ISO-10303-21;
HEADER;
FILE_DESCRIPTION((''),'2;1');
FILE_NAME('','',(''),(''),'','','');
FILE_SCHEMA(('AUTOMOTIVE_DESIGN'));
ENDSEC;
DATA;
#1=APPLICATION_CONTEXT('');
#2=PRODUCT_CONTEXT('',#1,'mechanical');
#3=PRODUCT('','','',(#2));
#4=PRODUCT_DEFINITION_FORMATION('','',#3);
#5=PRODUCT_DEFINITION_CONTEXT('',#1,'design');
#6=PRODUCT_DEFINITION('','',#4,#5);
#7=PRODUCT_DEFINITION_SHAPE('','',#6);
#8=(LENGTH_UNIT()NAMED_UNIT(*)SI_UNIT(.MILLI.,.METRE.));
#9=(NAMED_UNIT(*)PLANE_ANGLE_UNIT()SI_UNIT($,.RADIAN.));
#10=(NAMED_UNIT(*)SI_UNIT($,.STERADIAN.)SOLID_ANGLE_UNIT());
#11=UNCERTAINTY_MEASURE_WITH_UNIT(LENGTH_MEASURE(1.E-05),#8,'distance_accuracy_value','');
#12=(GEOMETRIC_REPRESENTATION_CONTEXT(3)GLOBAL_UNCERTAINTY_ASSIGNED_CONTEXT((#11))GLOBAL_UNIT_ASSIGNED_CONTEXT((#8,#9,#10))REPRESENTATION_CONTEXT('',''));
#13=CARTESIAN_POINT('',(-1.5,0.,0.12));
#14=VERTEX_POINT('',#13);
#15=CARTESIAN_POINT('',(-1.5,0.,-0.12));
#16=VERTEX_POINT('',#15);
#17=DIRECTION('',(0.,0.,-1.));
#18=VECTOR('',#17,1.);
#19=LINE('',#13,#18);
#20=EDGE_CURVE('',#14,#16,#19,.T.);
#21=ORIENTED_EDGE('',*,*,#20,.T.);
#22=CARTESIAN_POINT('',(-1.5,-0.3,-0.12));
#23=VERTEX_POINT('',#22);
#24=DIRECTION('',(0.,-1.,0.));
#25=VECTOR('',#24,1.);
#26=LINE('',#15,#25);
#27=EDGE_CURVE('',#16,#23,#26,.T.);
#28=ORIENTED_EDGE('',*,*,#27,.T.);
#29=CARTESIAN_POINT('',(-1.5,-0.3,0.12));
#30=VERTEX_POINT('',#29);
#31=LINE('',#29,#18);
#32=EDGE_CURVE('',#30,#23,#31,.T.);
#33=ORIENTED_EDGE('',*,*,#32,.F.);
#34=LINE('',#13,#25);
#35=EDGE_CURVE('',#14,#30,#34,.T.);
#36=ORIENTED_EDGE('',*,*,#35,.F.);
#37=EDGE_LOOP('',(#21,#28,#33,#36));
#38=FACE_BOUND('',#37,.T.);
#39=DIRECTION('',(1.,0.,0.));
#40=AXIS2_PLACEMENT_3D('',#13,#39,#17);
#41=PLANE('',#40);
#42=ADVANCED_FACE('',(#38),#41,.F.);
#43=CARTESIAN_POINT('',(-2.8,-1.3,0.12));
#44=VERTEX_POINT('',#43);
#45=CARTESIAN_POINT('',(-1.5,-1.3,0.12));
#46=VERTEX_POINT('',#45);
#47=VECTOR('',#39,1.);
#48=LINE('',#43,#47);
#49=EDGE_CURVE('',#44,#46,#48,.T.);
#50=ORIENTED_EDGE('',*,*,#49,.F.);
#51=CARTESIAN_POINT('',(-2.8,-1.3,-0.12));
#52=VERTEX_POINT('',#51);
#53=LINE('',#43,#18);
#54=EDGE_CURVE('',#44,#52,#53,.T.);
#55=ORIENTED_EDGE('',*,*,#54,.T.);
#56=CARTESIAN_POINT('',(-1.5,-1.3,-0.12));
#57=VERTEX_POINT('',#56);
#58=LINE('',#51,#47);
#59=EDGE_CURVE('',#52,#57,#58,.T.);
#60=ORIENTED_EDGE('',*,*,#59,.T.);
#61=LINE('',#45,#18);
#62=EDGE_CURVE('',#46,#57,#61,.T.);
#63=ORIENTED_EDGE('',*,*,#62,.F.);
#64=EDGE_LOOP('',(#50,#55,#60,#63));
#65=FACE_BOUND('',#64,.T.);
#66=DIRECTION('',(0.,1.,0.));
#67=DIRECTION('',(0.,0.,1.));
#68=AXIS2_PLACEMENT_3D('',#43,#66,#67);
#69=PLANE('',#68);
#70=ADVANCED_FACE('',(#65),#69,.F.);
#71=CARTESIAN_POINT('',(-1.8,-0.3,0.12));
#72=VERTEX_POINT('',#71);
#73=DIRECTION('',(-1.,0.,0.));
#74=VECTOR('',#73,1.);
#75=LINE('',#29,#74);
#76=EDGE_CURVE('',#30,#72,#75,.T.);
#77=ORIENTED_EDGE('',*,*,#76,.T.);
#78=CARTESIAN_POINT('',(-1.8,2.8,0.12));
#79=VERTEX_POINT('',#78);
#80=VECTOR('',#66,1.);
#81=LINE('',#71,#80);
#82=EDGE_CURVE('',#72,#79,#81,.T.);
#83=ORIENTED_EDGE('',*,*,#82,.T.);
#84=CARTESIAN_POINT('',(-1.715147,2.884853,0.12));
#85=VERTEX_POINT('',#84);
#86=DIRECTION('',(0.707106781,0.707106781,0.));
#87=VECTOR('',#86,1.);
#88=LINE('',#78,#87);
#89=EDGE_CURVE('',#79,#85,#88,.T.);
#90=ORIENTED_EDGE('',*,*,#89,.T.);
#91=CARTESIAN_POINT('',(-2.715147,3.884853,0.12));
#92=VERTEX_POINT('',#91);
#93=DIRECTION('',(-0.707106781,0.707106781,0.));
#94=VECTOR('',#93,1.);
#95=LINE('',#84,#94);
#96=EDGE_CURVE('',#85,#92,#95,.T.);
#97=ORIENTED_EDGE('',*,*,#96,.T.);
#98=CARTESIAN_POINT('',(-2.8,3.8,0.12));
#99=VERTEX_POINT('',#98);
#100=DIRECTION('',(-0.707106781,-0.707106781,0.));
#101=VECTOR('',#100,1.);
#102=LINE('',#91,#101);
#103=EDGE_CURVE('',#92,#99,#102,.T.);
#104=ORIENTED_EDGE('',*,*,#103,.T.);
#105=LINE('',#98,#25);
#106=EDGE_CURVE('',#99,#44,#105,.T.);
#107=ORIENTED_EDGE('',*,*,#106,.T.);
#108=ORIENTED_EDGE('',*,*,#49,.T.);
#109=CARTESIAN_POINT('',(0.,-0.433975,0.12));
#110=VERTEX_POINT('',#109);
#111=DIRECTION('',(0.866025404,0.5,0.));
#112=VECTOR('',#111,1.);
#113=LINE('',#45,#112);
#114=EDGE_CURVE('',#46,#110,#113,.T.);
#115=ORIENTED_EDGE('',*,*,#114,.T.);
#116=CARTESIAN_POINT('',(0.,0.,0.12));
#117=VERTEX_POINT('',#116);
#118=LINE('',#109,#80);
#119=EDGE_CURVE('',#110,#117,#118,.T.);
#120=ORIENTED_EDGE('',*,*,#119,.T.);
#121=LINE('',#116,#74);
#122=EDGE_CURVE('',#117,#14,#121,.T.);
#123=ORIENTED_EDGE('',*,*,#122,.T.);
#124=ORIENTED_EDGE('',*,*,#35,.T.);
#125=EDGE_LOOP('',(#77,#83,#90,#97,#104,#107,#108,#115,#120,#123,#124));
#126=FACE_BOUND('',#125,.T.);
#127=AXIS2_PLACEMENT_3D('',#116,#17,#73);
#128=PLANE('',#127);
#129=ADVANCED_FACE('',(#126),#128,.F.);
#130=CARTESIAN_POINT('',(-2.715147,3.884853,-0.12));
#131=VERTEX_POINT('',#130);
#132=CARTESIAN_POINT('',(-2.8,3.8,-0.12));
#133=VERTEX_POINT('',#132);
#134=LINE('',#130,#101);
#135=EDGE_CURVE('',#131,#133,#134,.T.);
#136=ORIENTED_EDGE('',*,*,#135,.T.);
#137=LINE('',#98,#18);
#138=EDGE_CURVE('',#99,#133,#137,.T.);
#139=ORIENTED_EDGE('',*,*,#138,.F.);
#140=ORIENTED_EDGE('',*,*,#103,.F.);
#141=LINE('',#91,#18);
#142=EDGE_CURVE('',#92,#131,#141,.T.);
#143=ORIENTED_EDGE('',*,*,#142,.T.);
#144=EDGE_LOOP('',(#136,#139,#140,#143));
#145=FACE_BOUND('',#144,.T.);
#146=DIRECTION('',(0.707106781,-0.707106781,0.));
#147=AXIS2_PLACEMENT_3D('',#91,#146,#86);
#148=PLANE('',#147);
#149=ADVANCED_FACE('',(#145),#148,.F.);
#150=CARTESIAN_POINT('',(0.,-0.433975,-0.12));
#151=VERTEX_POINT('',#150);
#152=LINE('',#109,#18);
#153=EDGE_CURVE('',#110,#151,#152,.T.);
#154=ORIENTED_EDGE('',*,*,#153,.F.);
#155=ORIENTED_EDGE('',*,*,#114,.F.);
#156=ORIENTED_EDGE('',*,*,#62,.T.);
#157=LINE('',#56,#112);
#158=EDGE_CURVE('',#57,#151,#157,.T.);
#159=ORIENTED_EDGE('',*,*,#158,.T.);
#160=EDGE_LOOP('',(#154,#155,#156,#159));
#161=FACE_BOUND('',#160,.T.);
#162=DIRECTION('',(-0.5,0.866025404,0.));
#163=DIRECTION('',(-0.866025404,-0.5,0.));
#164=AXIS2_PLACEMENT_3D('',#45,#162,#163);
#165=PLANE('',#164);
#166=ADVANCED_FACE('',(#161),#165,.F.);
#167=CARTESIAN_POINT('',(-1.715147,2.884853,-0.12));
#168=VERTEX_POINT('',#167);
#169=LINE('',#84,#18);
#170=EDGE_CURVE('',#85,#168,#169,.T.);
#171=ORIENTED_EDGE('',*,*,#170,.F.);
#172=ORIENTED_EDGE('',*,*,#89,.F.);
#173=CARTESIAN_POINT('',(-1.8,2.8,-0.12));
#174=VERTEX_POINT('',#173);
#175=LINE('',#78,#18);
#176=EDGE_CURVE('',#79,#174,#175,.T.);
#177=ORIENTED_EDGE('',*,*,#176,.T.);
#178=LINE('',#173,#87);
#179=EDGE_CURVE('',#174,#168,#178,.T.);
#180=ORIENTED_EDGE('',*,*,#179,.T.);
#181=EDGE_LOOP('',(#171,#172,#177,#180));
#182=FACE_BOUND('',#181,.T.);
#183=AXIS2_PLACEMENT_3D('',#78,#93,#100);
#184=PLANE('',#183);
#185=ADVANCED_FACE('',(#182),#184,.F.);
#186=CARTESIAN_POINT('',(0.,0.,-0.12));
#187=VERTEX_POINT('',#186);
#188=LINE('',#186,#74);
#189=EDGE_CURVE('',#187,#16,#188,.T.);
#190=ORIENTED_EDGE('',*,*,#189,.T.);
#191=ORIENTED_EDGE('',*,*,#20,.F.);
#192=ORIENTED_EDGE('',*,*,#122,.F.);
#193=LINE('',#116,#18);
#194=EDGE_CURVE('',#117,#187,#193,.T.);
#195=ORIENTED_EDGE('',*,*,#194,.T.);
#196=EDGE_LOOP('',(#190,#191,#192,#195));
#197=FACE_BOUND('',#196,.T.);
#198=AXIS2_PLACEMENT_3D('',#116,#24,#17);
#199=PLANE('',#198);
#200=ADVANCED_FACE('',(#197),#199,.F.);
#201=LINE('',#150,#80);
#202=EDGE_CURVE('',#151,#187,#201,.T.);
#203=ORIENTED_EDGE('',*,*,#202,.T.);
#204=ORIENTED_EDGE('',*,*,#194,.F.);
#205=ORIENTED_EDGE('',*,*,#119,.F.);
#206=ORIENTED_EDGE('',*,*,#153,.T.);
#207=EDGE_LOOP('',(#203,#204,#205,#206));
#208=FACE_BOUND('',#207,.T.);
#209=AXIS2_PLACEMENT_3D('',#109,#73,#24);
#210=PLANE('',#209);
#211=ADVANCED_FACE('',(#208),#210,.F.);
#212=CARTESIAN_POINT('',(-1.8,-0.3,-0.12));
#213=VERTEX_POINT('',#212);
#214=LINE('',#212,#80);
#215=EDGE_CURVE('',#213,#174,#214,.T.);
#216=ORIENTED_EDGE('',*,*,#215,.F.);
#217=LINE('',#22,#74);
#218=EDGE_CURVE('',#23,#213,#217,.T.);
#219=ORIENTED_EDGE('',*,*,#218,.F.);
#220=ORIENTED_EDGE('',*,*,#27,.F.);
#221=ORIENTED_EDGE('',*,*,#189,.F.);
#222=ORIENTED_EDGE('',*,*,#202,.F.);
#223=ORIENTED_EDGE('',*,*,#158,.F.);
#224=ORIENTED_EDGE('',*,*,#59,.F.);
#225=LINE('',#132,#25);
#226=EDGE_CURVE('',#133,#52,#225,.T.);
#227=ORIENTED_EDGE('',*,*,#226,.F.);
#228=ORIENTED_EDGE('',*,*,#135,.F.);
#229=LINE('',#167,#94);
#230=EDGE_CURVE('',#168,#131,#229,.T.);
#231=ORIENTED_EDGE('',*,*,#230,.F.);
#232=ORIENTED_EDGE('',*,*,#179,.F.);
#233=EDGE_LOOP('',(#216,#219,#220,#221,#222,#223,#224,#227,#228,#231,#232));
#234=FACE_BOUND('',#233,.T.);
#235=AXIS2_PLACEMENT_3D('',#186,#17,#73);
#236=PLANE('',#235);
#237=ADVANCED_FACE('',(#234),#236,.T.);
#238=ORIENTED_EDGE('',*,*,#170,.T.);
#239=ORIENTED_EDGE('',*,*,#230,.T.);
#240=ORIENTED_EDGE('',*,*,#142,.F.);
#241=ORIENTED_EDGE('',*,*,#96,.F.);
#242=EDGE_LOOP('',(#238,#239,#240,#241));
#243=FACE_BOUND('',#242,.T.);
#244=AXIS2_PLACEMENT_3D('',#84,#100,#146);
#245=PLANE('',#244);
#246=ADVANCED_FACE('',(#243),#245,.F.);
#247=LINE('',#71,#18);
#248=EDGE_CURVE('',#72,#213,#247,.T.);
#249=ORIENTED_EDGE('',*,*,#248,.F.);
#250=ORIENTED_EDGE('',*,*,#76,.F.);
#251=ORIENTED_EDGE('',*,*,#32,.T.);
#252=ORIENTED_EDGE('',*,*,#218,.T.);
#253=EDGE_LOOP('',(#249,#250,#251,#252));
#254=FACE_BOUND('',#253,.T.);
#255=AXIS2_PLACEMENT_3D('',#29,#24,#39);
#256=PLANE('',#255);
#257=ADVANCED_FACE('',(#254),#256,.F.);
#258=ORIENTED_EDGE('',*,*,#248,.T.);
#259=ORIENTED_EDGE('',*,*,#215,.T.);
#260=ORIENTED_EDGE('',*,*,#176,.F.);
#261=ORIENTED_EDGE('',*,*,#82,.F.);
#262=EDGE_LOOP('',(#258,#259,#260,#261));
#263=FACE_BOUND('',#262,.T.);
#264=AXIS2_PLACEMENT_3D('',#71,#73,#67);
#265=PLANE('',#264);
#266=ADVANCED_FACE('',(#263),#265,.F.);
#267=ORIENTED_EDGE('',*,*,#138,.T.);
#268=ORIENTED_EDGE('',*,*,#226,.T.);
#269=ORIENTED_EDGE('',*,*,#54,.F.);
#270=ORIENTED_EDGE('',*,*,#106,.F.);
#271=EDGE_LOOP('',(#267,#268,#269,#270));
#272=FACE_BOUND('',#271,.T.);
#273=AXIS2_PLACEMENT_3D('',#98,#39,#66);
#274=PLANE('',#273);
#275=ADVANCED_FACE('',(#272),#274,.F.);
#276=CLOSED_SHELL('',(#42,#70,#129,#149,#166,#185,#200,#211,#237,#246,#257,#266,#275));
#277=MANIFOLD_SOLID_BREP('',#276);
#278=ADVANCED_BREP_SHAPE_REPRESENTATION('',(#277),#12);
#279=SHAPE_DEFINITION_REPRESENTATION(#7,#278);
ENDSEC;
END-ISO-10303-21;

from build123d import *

# Parameters (mm, degrees)
BOSS_EXTRUDE1_DEPTH = 0.12


with BuildPart() as part:
    # Sketch1 → Boss-Extrude1 (new, symmetric)
    with BuildSketch(Plane.XY):
        Polygon((0, 0), (-1.5, 0), (-1.5, -0.3), (-1.8, -0.3), (-1.8, 2.8), (-1.715147186, 2.884852814), (-2.715147186, 3.884852814), (-2.8, 3.8), (-2.8, -1.3), (-1.5, -1.3), (0, -0.433974596), align=None)
    extrude(amount=BOSS_EXTRUDE1_DEPTH, both=True)


solid = part.part
